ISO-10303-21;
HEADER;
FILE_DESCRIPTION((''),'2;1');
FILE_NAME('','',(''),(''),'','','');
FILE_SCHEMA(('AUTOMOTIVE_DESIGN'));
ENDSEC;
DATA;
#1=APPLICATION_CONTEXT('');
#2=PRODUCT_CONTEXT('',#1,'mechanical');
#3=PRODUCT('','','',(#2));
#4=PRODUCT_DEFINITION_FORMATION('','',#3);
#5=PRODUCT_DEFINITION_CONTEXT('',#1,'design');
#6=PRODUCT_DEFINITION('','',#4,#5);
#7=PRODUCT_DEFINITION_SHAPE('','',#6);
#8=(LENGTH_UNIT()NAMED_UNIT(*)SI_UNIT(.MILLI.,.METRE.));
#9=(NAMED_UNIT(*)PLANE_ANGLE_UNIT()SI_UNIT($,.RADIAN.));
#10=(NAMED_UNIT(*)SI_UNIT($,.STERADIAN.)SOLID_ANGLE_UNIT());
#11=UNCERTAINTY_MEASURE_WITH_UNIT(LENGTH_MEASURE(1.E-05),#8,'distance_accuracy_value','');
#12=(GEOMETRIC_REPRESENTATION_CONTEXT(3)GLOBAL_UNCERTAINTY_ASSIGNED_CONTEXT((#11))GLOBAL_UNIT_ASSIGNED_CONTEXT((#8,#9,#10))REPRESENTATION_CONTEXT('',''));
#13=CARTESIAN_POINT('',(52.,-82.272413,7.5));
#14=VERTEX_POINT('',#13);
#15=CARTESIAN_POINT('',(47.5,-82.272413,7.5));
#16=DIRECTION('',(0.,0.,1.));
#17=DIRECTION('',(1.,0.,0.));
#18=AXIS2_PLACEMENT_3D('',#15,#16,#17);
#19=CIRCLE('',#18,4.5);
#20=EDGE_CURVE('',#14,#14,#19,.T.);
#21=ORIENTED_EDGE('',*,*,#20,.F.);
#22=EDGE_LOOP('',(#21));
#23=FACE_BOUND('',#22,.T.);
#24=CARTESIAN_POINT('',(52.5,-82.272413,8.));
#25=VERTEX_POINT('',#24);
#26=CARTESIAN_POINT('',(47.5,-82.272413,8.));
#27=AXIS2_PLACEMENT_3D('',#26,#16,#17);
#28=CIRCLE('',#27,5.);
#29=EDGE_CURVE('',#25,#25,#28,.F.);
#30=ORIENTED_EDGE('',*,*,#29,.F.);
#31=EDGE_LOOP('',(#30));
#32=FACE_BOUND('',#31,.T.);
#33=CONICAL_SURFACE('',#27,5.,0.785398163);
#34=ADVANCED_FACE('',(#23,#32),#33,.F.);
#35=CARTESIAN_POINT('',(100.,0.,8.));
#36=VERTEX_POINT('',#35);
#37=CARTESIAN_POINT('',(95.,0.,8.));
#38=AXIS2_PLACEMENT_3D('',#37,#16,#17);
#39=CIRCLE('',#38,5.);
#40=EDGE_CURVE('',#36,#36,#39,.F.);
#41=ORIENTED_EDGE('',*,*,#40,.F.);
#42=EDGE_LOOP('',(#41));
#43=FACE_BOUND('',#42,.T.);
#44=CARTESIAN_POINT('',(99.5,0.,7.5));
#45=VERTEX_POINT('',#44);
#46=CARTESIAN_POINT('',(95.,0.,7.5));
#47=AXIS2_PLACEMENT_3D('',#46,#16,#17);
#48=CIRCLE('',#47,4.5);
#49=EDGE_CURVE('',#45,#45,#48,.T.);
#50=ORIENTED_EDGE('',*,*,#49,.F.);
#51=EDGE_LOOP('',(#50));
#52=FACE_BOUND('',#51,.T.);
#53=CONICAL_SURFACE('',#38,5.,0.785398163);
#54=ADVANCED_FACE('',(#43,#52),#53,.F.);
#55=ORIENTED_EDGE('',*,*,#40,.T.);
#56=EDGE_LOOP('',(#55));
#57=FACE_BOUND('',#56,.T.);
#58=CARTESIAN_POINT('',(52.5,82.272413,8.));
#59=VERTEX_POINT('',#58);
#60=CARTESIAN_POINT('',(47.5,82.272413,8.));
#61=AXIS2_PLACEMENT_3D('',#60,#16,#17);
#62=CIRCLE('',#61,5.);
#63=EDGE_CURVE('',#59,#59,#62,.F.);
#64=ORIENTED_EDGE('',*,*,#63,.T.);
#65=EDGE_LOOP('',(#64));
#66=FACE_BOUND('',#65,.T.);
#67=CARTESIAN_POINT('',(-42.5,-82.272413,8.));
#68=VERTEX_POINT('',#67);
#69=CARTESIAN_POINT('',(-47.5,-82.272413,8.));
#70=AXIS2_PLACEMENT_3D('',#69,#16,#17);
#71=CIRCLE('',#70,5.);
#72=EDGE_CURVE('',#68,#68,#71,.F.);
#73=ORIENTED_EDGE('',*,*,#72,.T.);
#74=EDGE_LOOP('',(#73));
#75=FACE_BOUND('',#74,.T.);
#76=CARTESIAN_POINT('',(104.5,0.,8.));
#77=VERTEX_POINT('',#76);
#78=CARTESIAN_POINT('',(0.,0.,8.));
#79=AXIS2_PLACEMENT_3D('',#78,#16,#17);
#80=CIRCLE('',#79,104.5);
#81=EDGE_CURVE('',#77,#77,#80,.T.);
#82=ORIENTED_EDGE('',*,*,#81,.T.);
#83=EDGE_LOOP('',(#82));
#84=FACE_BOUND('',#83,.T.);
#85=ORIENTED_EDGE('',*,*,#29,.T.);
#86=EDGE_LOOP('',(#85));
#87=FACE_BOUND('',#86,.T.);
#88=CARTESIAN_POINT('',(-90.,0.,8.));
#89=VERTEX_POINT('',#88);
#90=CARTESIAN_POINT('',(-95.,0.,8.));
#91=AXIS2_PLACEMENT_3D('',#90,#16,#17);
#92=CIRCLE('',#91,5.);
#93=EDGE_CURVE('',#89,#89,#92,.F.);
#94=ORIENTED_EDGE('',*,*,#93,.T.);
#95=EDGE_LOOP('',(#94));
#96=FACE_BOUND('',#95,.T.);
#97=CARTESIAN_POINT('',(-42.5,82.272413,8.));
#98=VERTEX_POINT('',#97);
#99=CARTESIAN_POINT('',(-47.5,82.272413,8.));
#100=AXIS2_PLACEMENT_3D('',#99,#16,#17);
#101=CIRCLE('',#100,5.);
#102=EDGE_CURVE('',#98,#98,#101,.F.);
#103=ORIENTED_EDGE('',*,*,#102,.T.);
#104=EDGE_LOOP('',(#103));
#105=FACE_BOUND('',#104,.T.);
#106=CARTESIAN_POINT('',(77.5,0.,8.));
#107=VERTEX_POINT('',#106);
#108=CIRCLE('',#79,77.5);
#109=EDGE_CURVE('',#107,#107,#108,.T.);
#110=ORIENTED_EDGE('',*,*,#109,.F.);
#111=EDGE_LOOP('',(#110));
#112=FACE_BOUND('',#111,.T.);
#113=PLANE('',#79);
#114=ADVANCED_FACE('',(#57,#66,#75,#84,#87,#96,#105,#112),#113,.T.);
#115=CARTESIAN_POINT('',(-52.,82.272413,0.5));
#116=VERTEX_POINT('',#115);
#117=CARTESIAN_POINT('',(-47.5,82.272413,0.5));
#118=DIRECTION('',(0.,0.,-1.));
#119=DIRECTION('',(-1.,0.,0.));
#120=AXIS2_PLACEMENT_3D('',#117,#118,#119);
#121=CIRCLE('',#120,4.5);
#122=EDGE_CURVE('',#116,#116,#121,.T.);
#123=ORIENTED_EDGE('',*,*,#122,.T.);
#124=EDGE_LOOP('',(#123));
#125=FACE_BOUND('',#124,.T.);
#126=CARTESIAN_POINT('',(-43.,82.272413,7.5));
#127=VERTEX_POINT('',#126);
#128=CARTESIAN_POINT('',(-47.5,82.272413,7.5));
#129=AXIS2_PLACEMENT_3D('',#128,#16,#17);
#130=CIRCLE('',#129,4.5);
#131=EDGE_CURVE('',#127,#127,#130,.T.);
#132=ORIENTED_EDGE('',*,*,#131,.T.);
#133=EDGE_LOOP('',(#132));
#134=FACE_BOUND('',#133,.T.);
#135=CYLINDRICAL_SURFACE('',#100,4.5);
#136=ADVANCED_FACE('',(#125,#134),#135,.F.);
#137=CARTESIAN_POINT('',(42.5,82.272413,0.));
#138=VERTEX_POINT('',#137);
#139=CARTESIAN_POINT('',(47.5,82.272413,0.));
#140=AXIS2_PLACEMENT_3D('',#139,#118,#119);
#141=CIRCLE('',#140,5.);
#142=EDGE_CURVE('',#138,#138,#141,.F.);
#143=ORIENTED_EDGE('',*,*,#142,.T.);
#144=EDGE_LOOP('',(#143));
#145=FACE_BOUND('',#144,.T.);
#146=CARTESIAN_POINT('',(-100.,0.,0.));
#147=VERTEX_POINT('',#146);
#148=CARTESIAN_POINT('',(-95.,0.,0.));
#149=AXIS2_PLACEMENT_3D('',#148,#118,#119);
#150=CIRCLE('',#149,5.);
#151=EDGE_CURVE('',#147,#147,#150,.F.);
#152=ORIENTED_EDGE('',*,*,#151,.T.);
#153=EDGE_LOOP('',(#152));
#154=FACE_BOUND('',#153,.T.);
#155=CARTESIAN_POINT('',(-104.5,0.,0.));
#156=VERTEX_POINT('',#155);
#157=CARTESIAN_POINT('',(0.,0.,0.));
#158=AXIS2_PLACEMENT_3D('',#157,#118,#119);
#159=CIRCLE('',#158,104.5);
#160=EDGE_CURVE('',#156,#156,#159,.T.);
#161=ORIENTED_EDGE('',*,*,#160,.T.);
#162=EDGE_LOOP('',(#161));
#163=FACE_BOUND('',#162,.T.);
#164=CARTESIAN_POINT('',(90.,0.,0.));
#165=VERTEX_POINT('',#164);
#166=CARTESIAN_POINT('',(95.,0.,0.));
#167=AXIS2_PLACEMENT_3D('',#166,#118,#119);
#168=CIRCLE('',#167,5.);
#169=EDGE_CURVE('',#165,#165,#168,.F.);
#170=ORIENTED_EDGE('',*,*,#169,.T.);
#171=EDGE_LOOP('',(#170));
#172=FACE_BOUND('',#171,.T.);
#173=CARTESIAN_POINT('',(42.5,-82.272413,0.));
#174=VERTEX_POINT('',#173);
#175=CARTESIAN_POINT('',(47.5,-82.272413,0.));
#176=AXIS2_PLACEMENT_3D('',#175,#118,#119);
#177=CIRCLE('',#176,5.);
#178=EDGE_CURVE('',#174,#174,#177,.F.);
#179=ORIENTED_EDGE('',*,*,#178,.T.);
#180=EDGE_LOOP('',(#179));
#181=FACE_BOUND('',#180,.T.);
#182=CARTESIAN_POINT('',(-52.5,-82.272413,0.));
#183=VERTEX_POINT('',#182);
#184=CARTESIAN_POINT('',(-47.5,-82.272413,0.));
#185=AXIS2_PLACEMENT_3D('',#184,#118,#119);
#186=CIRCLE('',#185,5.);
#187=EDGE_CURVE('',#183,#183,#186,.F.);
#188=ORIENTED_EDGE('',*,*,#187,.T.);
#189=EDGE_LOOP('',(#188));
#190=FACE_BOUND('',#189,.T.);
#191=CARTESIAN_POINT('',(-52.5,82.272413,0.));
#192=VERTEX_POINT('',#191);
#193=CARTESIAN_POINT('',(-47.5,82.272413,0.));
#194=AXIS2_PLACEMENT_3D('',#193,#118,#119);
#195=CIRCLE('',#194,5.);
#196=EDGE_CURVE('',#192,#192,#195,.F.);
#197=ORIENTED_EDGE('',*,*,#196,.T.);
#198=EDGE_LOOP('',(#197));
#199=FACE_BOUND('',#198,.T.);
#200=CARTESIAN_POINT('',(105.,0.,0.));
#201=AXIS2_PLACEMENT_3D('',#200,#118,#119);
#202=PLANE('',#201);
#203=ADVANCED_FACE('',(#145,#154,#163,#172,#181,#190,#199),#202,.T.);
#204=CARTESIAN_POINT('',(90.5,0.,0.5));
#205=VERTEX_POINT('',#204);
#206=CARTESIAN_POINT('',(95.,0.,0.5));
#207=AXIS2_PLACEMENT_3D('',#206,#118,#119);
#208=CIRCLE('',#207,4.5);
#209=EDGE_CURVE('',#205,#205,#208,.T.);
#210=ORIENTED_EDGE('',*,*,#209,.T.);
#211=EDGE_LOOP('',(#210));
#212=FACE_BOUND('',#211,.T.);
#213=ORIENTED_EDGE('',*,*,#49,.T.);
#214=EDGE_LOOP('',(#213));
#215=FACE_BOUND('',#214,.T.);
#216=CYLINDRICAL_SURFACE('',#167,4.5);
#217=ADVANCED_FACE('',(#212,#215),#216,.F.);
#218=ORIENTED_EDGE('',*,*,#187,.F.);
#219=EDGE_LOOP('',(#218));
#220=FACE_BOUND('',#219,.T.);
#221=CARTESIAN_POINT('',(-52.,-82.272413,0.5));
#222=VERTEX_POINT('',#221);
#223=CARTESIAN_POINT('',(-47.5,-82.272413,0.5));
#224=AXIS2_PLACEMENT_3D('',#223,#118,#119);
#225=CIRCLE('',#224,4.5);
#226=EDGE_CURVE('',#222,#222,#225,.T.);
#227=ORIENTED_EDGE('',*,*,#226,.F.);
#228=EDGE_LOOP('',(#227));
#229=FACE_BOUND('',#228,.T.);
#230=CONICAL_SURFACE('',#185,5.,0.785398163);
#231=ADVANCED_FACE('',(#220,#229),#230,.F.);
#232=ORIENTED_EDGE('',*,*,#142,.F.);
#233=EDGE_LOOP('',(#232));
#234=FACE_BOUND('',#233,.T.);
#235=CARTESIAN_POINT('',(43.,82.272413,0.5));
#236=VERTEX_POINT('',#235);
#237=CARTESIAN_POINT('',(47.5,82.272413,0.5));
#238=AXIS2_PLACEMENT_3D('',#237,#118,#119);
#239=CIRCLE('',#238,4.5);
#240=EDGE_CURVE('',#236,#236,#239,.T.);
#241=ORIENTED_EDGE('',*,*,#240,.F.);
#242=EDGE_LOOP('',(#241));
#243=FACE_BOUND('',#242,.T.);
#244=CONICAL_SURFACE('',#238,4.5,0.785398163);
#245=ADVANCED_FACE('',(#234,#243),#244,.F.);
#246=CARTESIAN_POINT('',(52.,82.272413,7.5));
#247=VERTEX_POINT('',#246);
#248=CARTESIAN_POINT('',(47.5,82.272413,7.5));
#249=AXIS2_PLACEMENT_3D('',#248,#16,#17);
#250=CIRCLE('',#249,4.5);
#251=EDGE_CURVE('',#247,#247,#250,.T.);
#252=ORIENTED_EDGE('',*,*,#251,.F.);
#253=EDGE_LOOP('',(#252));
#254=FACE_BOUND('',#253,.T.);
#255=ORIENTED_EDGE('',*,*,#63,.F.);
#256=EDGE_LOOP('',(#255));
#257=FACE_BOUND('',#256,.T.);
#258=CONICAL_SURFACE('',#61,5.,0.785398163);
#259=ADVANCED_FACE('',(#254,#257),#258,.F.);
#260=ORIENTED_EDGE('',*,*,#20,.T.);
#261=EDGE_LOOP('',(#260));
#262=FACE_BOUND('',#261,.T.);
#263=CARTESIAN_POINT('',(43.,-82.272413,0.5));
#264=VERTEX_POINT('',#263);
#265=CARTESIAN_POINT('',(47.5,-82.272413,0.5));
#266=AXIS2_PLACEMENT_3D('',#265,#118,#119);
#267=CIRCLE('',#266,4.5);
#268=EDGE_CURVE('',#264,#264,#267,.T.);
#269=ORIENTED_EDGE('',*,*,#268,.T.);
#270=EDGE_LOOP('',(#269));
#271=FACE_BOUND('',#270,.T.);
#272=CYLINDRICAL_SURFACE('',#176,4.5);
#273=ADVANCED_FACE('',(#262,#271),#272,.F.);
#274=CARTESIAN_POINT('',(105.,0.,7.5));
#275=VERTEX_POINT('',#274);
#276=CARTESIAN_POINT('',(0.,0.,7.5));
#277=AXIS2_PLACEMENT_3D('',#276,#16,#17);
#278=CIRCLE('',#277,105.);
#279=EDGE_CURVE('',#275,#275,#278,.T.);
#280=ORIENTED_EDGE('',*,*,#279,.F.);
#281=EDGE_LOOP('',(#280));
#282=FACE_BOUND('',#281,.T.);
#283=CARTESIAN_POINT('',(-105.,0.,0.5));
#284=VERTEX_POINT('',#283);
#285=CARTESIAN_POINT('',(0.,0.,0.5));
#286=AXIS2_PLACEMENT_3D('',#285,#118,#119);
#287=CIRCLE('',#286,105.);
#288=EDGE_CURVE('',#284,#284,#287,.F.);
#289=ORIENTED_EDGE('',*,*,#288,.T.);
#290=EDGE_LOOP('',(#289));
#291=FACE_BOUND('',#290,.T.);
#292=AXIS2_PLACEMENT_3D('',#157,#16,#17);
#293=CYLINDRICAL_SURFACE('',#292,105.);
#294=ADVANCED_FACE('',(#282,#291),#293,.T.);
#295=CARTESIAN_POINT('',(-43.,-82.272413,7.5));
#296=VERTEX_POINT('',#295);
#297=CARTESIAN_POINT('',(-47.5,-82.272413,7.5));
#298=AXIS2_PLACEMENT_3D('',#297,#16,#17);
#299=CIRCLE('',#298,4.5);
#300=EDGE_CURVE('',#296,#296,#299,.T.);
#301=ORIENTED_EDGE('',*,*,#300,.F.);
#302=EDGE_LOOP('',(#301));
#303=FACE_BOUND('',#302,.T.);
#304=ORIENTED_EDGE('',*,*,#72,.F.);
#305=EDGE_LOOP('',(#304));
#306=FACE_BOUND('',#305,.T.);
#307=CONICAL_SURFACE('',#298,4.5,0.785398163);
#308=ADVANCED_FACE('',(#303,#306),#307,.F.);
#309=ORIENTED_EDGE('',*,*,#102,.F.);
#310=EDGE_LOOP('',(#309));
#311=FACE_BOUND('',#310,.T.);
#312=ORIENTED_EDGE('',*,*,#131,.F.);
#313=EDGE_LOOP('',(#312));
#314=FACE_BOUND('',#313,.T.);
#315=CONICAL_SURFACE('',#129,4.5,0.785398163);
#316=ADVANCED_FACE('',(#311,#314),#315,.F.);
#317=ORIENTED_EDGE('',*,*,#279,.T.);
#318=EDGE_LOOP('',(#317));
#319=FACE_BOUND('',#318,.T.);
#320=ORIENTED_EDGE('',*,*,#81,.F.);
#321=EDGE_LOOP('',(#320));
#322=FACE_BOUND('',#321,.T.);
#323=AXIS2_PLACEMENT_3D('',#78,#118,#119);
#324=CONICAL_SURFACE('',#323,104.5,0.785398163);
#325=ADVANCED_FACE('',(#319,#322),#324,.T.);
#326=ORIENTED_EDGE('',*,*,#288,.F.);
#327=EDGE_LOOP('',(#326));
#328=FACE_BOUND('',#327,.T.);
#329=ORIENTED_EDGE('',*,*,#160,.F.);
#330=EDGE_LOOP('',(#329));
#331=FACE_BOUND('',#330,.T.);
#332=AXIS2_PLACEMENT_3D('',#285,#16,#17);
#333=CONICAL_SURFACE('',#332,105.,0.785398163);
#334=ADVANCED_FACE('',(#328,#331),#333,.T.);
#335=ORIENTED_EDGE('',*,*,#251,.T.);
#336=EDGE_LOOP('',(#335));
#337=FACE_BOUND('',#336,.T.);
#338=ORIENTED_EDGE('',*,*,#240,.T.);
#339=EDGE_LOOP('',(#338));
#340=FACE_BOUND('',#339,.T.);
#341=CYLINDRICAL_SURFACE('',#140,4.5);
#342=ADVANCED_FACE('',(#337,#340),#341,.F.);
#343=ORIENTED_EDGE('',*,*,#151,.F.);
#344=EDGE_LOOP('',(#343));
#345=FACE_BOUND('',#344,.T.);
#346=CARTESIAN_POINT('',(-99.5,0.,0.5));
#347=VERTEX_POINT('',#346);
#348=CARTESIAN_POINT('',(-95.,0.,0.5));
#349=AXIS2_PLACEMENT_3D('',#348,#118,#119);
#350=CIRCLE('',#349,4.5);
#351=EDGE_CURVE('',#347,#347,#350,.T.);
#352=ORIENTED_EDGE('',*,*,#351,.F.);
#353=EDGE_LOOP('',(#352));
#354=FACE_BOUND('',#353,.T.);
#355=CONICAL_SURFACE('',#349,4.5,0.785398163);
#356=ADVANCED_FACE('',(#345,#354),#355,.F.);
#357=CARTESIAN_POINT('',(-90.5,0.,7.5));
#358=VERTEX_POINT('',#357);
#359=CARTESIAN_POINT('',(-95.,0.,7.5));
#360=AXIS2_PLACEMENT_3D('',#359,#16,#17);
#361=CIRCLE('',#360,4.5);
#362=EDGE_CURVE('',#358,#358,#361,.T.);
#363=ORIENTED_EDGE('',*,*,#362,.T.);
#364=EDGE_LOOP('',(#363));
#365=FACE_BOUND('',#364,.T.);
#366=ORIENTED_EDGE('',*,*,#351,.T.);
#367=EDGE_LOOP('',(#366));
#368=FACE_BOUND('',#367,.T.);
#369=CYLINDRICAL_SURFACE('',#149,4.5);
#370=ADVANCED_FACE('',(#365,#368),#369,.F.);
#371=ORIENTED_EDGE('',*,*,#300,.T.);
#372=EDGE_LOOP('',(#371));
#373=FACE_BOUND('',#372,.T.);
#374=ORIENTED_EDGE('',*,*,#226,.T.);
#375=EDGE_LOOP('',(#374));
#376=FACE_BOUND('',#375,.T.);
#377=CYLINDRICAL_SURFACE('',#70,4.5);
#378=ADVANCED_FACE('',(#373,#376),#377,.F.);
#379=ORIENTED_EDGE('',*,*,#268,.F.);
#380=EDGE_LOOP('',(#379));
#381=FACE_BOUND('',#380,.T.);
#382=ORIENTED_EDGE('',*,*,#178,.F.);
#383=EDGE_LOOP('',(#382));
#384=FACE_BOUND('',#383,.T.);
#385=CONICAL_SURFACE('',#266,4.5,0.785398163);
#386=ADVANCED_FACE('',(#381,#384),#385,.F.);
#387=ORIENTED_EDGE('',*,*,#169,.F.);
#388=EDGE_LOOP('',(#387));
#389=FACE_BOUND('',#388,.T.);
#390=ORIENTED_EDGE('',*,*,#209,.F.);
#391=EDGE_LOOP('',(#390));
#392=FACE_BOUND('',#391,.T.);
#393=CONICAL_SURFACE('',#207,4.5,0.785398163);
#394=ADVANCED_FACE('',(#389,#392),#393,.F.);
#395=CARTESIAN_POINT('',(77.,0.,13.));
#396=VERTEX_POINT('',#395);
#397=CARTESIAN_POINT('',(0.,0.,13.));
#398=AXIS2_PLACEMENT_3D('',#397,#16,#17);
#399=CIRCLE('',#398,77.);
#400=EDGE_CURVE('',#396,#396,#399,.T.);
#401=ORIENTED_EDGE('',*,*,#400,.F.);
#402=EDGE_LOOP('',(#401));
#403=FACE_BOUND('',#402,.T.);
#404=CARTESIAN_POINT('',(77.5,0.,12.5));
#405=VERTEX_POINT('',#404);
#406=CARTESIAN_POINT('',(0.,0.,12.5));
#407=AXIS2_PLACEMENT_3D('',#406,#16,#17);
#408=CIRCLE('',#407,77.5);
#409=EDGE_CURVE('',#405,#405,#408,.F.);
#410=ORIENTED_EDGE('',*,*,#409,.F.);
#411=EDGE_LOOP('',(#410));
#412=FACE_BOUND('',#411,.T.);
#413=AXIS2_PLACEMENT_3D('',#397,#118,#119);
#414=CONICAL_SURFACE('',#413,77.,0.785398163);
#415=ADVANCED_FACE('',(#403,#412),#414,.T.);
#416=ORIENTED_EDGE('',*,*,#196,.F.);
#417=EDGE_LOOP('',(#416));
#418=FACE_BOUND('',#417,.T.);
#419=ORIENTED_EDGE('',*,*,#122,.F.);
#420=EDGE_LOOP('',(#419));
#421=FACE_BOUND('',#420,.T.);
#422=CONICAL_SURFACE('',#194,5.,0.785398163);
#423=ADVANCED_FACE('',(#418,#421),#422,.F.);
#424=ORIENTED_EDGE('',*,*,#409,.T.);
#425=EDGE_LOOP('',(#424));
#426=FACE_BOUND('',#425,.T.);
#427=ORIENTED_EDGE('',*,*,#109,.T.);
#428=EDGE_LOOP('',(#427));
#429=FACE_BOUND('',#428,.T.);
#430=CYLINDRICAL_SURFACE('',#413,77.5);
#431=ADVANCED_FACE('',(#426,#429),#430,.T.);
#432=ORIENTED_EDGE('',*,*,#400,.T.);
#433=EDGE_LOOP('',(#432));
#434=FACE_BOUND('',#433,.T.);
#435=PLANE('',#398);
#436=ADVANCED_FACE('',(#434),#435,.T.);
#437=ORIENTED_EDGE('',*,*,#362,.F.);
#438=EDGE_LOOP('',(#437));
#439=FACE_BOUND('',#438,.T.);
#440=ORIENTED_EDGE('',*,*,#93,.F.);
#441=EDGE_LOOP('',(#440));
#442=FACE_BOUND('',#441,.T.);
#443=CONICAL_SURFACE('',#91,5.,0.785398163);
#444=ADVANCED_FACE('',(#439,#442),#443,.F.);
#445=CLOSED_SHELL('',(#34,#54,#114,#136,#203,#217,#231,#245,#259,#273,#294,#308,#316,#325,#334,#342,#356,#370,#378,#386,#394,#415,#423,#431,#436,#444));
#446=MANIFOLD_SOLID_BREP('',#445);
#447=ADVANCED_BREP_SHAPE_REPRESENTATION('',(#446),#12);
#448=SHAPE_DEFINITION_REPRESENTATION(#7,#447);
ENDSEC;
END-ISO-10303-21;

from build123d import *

# Parameters (mm, degrees)
HOLE1_D             = 9
HOLE2_D             = 9
SKETCH6_R           = 77.5
BOSS_EXTRUDE1_DEPTH = 5
CHAMFER1_SIZE       = 0.5


with BuildPart() as part:
    # Sketch1 → Revolve1 (revolve)
    with BuildSketch(Plane(origin=(0, 0, 0), x_dir=(1, 0, 0), z_dir=(0, 1, 0))):
        Polygon((105, 0), (0, 0), (0, -8), (104.5, -8), (105, -7.5), align=None)
    revolve(axis=Axis((0, 0, 0), (0, 0, 1)))

    # Hole1 (through all)
    with Locations(Plane.XY.offset(8)):
        with Locations((-47.5, -82.27241336), (-47.5, 82.27241336)):
            Hole(HOLE1_D / 2)

    # Hole2 (through all)
    with Locations(Plane(origin=(0, 0, 0), x_dir=(-1, 0, 0), z_dir=(0, 0, -1))):
        with Locations((-47.5, -82.27241336), (95, 0), (-47.5, 82.27241336), (-95, 0)):
            Hole(HOLE2_D / 2)

    # Sketch6 → Boss-Extrude1 (add)
    with BuildSketch(Plane.XY.offset(8)):
        Circle(SKETCH6_R)
    extrude(amount=BOSS_EXTRUDE1_DEPTH)

    # Chamfer1
    chamfer1_edges = [part.edges().sort_by_distance(p)[0] for p in [
        (-43, 82.27241336, 8),
        (-43, 82.27241336, 0),
        (-43, -82.27241336, 8),
        (-43, -82.27241336, 0),
        (90.5, 0, 0),
        (90.5, 0, 8),
        (43, 82.27241336, 0),
        (43, 82.27241336, 8),
        (-99.5, 0, 0),
        (-99.5, 0, 8),
        (43, -82.27241336, 0),
        (43, -82.27241336, 8),
        (-77.5, 0, 13),
        (-105, 0, 0),
    ]]
    chamfer(chamfer1_edges, length=CHAMFER1_SIZE)


solid = part.part
